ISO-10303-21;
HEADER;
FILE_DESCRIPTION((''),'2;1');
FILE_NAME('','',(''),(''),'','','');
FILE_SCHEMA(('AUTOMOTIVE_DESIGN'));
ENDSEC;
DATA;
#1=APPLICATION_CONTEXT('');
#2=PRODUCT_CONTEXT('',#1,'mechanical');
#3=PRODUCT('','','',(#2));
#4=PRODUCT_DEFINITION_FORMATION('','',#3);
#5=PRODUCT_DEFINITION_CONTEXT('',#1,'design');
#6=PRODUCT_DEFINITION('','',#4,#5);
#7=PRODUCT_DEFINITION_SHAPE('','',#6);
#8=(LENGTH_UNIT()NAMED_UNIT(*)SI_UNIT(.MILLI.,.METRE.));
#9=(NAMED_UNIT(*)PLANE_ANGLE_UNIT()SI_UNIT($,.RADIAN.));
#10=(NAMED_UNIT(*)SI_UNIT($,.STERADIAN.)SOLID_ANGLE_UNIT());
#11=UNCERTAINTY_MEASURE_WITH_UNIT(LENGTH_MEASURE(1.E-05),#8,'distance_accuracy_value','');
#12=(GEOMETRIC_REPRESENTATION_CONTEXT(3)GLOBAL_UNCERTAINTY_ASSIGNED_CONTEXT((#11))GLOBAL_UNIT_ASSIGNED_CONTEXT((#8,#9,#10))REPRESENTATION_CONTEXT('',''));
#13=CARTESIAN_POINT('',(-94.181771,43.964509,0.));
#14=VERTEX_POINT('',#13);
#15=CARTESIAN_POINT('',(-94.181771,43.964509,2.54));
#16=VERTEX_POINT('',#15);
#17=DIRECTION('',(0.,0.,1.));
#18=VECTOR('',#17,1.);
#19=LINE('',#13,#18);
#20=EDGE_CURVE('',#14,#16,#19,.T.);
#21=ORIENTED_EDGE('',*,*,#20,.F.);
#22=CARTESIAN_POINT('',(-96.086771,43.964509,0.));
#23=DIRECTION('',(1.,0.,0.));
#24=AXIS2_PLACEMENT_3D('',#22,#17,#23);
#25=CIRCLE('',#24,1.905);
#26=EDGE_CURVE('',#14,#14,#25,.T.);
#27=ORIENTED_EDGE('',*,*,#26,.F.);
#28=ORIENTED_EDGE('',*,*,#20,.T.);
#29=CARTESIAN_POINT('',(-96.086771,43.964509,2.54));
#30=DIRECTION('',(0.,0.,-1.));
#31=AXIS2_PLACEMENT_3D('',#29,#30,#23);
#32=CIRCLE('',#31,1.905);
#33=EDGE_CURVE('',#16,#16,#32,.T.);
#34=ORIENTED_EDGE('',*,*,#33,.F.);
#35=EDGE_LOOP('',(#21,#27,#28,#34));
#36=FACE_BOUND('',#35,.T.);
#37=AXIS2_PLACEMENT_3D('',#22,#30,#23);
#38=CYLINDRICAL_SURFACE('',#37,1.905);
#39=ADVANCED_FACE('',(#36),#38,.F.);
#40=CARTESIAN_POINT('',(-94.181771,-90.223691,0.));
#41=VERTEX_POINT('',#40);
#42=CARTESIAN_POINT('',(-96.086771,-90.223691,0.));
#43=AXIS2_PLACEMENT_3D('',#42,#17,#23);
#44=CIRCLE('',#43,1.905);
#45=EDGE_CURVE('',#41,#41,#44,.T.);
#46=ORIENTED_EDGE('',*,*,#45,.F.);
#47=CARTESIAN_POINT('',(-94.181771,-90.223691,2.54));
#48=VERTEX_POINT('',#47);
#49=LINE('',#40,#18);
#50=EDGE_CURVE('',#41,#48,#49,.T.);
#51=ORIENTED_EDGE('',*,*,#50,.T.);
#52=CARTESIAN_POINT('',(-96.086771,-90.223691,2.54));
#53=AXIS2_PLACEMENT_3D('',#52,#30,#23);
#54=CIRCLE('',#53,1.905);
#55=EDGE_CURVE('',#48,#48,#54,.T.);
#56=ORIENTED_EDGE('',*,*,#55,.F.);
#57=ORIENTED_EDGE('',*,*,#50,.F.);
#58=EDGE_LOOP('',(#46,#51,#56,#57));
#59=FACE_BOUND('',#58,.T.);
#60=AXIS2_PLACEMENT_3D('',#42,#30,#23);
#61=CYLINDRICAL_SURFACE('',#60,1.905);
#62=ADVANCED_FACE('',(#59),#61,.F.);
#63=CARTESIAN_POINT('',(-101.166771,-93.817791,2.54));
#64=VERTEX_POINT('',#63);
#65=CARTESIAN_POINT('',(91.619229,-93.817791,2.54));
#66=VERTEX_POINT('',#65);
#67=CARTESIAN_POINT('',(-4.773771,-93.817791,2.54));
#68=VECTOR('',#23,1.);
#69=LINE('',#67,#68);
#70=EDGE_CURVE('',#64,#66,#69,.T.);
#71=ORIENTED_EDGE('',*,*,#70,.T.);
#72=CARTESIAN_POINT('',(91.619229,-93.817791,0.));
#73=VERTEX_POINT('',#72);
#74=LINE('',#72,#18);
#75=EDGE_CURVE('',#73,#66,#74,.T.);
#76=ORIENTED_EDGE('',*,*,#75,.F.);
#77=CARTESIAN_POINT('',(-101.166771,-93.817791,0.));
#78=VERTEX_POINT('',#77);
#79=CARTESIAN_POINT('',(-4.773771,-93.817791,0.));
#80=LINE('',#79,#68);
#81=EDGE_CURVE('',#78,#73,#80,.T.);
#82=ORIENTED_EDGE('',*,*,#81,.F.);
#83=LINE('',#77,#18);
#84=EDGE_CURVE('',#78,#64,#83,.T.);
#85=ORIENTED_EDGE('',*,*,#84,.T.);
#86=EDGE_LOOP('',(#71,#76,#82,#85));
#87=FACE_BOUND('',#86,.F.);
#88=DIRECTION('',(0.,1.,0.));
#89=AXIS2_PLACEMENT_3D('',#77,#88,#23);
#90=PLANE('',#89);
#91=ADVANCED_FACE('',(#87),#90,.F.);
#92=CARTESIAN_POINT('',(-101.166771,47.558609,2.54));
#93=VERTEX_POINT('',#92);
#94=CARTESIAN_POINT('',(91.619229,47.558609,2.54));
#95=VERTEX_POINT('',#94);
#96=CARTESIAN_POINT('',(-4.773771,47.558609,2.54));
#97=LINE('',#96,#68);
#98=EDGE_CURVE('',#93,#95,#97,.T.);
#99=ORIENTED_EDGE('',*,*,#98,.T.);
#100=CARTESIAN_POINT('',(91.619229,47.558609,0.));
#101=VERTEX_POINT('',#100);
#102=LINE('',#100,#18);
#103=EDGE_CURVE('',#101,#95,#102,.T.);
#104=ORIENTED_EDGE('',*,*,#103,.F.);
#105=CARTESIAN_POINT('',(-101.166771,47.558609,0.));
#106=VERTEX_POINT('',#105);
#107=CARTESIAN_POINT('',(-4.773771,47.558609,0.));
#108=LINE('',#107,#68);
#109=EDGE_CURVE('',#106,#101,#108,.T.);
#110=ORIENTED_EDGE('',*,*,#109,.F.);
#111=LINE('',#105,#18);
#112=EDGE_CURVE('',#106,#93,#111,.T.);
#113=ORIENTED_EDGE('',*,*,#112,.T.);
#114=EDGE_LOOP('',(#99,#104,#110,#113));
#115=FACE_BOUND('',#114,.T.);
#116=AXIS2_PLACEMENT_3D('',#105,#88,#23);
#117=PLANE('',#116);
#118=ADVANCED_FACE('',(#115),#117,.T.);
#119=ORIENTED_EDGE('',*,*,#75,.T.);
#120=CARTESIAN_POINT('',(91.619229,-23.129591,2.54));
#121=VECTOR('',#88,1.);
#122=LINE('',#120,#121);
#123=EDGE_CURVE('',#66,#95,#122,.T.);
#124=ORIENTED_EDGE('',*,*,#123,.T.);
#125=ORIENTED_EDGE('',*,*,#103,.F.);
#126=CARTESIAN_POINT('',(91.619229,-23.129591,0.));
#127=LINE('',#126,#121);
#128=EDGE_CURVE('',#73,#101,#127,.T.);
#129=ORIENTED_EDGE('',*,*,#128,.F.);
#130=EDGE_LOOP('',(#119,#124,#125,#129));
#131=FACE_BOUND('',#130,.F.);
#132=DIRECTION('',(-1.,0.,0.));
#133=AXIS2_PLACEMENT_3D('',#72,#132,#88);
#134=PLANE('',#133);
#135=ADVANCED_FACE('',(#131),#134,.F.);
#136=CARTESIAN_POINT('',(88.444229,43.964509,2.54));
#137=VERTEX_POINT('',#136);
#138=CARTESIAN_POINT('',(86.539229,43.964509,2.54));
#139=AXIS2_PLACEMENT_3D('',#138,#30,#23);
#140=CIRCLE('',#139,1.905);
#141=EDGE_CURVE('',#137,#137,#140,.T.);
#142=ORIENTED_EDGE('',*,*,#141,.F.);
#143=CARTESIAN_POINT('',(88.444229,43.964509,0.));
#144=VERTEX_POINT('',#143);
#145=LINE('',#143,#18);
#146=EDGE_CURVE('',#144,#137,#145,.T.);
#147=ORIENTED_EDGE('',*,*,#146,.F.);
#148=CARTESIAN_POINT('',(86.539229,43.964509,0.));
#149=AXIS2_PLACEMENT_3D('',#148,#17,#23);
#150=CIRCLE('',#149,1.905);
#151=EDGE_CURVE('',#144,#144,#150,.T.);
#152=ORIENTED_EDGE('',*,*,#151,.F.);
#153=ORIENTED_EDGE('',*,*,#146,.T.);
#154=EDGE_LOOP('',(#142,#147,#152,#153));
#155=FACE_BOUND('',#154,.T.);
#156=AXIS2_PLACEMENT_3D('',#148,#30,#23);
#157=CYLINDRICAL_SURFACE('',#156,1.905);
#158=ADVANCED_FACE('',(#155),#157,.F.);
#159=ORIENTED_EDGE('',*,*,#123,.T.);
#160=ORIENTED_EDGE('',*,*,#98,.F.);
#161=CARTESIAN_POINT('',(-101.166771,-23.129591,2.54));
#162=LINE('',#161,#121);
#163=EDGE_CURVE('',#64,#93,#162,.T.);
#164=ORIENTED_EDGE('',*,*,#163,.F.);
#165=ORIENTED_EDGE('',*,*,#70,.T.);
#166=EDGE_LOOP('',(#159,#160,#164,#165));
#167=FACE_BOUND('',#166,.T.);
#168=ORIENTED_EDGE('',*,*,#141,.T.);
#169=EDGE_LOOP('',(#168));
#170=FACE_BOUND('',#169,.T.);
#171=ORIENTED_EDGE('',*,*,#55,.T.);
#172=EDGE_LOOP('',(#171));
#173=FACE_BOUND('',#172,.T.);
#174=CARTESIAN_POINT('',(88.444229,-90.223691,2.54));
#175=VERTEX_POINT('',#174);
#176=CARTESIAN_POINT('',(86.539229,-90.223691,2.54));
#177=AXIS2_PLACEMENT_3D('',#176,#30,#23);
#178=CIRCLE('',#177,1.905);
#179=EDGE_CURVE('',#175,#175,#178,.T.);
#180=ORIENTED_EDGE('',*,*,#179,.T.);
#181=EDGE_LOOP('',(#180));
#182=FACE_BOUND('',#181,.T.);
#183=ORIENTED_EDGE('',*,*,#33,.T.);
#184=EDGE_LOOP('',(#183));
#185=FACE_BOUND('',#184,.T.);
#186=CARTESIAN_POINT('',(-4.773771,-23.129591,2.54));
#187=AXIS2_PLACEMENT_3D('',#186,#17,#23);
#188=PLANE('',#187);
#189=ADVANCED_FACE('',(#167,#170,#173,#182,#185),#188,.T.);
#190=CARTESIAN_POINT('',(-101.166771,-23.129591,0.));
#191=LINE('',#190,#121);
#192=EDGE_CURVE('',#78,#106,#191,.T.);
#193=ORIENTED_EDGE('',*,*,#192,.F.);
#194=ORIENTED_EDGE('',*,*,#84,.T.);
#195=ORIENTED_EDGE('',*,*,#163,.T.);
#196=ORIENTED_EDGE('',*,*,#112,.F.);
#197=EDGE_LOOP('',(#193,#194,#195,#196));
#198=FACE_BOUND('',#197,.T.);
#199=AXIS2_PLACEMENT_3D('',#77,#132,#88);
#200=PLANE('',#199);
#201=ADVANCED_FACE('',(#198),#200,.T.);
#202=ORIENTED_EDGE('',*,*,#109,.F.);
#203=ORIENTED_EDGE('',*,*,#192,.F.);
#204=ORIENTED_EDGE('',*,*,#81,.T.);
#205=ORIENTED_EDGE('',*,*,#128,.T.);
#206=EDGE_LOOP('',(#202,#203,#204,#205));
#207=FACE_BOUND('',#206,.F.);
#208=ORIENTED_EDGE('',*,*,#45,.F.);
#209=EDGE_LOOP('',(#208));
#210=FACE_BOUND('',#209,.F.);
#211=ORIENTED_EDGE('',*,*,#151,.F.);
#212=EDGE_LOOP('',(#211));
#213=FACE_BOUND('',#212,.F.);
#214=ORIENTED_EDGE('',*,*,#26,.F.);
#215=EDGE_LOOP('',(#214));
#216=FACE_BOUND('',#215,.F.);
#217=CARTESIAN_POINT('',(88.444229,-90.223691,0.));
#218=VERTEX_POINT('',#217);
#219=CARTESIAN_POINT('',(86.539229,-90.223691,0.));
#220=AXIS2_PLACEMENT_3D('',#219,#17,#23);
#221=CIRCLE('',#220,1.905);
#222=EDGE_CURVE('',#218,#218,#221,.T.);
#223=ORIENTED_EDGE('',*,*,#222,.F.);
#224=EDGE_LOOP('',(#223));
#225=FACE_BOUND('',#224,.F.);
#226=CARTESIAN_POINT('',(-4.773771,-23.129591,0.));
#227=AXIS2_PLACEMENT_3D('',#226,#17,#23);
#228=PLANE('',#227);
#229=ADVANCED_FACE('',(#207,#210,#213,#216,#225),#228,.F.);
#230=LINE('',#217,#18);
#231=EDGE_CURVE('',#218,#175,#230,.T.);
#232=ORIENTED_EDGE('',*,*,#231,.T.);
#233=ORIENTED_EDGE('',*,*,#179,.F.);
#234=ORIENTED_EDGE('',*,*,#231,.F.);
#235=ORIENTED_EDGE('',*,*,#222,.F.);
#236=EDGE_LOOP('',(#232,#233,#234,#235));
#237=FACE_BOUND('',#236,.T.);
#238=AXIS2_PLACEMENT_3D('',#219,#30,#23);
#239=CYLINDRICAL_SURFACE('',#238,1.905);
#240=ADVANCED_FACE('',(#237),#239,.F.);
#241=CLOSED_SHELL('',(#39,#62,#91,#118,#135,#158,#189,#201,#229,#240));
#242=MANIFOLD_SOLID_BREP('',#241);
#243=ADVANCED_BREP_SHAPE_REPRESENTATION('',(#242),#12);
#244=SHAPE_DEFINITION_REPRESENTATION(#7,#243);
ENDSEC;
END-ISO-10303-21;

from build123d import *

# Parameters (mm, degrees)
F2_W     = 192.786
F2_H     = 141.3764
F4_DEPTH = 2.54
F3_R     = 1.905
F5_DEPTH = 25.4


with BuildPart() as f4:
    # F2 (on Top) → F4 (new body)
    with BuildSketch(Plane.XY):
        with Locations((-4.773771, -23.129591)):
            Rectangle(F2_W, F2_H)
    extrude(amount=F4_DEPTH)

    # F3 (on Top) → F5 (cut)
    with BuildSketch(Plane.XY):
        with Locations((-96.086771, 43.964509)):
            Circle(F3_R)
        with Locations((86.539229, 43.964509)):
            Circle(F3_R)
        with Locations((-96.086771, -90.223691)):
            Circle(F3_R)
        with Locations((86.539229, -90.223691)):
            Circle(F3_R)
    extrude(amount=F5_DEPTH, mode=Mode.SUBTRACT)


solid = f4.part
